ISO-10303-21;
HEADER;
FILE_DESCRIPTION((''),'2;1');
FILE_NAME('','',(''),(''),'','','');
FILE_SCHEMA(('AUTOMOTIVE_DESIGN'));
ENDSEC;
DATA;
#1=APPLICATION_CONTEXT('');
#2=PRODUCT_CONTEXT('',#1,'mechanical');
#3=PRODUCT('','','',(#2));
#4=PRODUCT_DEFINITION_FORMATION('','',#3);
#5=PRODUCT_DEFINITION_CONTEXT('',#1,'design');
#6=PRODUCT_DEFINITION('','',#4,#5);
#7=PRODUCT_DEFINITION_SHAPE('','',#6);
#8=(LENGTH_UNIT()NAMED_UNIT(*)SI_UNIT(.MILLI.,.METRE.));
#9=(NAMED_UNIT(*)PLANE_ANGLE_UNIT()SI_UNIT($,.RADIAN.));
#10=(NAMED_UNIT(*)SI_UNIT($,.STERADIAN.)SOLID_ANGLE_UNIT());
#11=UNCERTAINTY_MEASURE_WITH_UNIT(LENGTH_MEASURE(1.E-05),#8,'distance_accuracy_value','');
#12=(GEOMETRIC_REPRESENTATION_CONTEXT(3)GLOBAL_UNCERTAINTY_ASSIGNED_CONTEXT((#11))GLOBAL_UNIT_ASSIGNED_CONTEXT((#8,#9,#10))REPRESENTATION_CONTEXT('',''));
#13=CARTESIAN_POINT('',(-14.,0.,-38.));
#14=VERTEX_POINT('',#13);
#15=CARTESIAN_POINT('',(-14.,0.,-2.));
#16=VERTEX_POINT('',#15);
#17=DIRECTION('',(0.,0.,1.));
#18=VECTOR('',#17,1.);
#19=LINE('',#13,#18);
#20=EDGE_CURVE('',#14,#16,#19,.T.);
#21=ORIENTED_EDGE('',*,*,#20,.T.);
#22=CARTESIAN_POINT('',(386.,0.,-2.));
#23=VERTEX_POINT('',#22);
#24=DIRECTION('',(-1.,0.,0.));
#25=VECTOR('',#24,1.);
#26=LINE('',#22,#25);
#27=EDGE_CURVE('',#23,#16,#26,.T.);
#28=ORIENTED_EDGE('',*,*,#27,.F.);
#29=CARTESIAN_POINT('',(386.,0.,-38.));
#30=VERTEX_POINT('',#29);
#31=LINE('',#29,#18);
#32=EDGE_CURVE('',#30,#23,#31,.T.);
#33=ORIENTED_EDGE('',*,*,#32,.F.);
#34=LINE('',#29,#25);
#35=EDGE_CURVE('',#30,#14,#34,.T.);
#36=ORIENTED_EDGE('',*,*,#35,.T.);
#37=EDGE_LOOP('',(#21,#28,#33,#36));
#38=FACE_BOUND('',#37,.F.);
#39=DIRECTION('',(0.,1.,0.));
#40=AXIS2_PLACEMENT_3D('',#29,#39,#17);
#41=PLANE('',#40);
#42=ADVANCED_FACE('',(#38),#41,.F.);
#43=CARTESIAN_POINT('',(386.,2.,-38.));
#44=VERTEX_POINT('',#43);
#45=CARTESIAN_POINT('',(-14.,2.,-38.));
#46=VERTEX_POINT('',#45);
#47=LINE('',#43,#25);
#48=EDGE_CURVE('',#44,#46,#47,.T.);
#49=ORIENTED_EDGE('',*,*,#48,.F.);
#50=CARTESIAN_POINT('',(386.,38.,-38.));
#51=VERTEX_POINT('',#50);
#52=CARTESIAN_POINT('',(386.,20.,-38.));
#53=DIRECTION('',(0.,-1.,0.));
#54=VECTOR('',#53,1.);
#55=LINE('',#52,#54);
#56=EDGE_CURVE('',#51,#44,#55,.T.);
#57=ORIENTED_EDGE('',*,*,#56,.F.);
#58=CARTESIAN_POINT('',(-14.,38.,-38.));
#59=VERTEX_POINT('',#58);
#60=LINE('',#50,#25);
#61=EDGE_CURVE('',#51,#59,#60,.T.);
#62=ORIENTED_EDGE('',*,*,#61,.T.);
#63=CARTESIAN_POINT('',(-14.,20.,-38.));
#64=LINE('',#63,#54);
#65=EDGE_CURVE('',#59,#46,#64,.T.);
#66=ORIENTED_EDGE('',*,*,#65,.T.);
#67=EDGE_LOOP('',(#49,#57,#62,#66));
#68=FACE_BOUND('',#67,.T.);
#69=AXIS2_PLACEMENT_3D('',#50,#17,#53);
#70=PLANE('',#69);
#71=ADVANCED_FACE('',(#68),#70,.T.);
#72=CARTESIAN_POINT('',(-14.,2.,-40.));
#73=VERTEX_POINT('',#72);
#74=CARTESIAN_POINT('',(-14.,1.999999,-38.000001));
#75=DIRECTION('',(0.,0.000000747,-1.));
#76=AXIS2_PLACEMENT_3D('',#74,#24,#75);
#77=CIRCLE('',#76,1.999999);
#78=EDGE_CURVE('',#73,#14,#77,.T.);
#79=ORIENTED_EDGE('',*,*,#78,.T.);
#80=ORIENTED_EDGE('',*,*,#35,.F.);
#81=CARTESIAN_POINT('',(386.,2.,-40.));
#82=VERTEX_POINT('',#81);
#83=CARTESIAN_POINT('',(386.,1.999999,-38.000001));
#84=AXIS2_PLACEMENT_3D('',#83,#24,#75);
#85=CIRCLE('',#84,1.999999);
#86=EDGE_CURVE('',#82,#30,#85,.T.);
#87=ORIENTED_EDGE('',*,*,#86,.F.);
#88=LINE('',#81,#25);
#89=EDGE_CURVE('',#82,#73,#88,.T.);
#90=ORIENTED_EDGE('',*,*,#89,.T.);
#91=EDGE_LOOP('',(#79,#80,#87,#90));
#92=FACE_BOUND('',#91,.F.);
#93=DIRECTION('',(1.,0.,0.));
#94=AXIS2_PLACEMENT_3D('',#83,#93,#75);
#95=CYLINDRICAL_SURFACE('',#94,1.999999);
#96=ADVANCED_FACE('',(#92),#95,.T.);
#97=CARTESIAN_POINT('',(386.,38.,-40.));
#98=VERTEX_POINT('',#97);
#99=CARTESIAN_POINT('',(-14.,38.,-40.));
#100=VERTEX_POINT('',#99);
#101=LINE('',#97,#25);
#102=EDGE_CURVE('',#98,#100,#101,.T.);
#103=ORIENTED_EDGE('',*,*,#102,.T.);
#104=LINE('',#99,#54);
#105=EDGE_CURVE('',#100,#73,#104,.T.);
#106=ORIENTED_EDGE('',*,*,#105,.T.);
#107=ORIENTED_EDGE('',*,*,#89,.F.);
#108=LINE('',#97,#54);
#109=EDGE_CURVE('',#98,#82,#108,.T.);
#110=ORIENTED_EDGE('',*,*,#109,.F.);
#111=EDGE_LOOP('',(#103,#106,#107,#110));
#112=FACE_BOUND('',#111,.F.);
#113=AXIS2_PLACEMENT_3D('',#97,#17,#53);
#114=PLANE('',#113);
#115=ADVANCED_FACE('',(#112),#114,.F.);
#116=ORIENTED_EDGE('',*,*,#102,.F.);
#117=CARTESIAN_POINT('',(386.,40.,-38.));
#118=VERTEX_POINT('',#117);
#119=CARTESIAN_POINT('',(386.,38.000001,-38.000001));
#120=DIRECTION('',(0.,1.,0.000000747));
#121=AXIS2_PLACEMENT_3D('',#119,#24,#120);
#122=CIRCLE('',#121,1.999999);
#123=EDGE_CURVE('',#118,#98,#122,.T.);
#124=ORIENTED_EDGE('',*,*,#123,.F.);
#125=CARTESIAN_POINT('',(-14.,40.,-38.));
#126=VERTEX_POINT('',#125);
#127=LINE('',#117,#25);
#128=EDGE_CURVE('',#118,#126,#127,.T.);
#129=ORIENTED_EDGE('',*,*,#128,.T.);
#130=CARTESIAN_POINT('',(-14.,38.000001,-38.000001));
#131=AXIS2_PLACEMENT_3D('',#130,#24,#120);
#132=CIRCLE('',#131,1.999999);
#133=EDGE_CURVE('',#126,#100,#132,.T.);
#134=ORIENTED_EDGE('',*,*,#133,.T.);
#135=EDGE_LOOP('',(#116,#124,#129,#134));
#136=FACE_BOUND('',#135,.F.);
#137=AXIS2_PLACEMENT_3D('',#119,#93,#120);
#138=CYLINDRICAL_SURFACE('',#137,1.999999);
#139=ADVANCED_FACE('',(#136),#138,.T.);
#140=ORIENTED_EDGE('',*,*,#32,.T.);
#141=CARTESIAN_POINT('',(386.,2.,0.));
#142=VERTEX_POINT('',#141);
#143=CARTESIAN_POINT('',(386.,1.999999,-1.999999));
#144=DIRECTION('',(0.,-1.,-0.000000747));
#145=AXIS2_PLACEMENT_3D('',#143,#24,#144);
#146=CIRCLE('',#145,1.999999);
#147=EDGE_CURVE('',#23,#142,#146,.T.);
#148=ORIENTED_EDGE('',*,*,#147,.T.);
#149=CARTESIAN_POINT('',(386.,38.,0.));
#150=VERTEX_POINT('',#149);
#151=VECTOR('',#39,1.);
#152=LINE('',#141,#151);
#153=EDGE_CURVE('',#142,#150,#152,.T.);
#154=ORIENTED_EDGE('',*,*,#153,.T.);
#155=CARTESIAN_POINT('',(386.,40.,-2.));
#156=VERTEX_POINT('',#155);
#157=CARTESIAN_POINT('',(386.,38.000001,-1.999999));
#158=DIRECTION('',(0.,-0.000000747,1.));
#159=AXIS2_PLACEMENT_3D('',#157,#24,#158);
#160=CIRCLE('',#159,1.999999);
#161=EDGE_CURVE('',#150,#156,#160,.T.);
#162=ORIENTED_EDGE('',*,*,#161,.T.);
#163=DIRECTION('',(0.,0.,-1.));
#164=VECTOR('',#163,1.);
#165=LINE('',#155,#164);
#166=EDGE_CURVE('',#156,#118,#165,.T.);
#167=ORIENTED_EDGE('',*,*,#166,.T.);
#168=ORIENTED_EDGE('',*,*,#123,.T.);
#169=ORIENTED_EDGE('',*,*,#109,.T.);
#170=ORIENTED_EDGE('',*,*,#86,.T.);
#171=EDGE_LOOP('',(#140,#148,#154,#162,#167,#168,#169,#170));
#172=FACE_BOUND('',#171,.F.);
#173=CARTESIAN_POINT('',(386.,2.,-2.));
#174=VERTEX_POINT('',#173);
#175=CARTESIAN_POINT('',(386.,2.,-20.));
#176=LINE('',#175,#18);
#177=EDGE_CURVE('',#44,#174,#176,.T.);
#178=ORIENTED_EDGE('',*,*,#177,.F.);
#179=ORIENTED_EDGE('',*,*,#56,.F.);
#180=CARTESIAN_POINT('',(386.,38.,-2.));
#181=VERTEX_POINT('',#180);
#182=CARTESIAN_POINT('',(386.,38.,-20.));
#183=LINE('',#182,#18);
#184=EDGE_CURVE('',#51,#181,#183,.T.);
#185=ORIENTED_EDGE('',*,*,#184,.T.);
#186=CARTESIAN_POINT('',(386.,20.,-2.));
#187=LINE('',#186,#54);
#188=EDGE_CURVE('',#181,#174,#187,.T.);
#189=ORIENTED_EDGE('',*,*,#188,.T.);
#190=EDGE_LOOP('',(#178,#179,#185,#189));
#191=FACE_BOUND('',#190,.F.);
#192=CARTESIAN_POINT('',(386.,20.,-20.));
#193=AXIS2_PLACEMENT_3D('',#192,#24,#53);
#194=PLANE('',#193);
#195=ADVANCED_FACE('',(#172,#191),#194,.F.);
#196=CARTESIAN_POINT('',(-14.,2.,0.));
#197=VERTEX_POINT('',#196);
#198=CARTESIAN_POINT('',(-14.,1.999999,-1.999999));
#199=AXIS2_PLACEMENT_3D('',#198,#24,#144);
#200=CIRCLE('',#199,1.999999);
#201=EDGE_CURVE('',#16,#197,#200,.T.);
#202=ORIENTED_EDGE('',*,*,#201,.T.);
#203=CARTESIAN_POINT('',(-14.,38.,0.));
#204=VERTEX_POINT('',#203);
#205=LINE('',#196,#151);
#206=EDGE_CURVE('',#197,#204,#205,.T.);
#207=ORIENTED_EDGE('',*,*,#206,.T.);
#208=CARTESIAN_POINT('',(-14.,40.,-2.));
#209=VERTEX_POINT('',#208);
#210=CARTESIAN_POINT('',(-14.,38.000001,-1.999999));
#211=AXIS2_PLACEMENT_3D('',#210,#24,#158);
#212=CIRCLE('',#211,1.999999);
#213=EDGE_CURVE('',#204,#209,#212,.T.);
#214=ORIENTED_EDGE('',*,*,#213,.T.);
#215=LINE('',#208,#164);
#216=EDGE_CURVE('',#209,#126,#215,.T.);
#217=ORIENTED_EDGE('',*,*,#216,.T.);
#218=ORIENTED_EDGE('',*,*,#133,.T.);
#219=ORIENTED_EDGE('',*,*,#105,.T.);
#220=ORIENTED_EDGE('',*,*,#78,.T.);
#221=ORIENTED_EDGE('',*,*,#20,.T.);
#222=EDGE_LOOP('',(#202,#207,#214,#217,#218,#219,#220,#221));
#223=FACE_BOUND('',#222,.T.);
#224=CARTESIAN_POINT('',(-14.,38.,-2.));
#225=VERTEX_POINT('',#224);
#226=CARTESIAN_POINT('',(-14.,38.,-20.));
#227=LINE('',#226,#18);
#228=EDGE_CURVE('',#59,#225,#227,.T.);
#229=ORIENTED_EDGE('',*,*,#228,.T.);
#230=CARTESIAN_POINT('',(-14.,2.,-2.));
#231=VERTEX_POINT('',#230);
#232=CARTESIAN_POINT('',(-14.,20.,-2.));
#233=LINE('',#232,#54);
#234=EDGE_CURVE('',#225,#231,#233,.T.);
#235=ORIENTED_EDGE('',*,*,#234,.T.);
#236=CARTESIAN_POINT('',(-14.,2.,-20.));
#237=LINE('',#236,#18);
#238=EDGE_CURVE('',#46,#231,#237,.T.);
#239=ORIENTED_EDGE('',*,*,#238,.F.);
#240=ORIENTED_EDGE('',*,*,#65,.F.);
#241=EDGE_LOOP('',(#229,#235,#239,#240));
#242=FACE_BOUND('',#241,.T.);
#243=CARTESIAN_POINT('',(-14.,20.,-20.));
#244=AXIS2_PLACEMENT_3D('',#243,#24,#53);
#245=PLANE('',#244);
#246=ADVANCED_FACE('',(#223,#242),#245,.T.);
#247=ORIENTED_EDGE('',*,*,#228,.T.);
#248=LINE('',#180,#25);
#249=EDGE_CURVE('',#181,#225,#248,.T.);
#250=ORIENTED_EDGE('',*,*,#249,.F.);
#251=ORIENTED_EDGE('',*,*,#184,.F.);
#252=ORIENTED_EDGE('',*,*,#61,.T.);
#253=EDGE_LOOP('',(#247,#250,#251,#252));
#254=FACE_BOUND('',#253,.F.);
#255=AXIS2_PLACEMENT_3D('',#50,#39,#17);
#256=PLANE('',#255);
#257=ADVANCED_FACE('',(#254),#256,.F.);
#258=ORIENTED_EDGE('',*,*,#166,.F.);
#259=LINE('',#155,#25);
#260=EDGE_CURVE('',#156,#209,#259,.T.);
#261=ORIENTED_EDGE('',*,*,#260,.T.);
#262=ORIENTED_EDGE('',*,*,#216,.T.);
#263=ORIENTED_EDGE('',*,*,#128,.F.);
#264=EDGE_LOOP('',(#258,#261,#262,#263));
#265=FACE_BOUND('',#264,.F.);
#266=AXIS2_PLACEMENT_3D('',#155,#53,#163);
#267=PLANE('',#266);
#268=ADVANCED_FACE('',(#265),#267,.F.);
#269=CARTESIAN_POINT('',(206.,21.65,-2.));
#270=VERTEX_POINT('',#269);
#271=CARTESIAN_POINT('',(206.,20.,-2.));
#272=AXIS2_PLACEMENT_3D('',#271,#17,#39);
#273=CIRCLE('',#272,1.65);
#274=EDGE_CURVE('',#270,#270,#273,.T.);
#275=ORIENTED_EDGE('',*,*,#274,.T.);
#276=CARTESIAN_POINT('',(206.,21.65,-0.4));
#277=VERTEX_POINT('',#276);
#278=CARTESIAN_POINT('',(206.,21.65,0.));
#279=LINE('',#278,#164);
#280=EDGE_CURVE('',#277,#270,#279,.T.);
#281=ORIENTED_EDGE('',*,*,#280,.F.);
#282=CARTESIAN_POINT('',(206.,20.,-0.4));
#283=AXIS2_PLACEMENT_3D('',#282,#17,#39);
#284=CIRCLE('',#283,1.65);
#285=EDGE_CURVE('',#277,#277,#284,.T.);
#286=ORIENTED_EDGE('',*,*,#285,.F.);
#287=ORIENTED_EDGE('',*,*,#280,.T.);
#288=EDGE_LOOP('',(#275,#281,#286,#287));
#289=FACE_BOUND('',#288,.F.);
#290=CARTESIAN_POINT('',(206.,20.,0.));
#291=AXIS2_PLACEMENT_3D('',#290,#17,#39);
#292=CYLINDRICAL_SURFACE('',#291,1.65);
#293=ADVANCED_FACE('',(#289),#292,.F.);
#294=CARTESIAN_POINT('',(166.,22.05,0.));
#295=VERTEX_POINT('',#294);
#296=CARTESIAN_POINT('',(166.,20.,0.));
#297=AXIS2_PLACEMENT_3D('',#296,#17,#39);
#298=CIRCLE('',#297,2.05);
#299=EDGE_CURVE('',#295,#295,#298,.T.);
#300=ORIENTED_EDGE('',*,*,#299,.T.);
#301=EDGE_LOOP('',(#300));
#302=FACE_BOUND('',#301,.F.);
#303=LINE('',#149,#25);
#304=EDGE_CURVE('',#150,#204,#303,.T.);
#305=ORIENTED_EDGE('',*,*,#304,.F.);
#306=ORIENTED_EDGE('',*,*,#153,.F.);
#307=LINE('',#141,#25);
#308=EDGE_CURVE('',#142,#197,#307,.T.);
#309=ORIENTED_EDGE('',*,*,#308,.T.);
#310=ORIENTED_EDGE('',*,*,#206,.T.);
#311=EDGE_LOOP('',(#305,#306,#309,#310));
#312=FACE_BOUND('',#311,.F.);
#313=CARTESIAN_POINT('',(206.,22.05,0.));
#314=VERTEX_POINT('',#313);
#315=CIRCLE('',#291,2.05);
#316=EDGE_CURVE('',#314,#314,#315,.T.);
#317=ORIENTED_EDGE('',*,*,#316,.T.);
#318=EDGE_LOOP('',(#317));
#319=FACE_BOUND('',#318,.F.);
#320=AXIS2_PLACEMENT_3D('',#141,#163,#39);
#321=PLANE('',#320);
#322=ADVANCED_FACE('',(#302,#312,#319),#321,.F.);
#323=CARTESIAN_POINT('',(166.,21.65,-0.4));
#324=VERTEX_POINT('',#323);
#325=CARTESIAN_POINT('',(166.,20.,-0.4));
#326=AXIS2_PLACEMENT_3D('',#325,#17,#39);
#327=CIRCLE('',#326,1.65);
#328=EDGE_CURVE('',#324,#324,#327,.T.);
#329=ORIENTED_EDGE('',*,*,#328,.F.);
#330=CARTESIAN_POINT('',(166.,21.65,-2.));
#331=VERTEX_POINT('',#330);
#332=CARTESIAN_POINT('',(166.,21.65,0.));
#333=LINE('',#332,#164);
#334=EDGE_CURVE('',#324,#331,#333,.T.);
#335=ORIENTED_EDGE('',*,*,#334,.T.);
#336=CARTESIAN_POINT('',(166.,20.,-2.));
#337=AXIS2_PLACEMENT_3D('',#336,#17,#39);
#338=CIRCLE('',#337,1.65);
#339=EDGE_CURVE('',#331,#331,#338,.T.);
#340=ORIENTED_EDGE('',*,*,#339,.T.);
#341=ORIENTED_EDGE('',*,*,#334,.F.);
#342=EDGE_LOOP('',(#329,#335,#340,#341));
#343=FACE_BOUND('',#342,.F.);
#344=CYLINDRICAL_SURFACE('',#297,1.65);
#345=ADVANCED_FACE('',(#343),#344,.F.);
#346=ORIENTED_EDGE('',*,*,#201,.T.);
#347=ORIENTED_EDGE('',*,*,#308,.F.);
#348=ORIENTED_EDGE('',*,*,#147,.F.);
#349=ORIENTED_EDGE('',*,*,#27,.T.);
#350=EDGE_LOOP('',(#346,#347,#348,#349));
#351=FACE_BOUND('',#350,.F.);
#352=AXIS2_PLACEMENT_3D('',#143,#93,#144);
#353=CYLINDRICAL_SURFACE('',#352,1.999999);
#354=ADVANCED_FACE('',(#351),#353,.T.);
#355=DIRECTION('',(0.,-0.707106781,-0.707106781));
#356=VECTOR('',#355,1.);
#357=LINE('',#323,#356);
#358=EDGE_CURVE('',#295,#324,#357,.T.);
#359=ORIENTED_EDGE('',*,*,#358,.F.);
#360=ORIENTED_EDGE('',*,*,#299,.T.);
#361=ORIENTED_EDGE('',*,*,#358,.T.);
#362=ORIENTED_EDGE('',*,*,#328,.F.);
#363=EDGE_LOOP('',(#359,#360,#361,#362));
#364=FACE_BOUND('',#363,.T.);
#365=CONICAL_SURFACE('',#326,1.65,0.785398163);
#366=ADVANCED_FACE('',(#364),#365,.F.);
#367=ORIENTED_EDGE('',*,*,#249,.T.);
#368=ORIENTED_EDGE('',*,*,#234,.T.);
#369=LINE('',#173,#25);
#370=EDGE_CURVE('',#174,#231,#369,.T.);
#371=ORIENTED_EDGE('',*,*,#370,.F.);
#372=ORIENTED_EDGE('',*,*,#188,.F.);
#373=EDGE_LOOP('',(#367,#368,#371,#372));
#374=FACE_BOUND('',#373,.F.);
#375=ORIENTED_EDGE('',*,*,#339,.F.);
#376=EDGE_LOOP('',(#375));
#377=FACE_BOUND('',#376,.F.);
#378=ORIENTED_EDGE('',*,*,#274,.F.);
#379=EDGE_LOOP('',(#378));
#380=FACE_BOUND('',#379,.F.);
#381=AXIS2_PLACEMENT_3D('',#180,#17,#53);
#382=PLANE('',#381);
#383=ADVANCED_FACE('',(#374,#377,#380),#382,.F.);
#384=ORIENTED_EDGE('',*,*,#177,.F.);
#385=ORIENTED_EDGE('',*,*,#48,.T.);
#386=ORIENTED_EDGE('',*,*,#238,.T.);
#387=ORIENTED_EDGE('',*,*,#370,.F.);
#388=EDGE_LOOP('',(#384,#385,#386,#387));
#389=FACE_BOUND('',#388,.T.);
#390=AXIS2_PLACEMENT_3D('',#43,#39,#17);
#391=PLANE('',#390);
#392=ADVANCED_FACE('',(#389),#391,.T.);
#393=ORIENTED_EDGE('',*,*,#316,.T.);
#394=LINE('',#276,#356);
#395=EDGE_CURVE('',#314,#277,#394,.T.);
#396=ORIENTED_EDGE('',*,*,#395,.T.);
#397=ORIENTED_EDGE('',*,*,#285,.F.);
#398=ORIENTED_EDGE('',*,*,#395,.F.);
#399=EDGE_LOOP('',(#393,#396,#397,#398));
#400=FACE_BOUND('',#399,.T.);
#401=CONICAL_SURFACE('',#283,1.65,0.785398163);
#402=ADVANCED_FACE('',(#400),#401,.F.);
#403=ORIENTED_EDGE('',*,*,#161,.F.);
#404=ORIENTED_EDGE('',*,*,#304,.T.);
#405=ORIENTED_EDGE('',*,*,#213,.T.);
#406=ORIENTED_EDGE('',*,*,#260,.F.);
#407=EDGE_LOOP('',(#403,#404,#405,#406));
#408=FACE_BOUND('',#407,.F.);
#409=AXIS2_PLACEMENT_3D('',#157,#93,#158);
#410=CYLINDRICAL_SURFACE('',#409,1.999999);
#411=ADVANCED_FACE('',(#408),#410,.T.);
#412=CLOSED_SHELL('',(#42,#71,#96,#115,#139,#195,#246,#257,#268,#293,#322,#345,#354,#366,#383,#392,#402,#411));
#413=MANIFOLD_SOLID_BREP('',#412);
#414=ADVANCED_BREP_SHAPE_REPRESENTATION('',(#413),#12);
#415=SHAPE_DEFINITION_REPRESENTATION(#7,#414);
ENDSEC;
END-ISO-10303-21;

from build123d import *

# Parameters (mm, degrees)
SKETCH004_W             = 36
SKETCH004_H             = 36
PAD004_DEPTH            = 400
SKETCH028_R             = 1.65
HOLE_DEPTH              = 25
HOLE_TIPS_R             = 1.65
CHAMFER_SIZE            = 0.4
BODY004_PLACEMENT_ANGLE = 270


with BuildPart() as part:
    # Sketch004 → Pad004 (new body)
    with BuildSketch(Plane.XZ):
        with BuildLine():
            Line((0, -2), (0, -38))
            ThreePointArc((0, -38), (0.585786, -39.414214), (2, -40))
            Line((2, -40), (38, -40))
            ThreePointArc((38, -40), (39.414214, -39.414214), (40, -38))
            Line((40, -38), (40, -2))
            ThreePointArc((40, -2), (39.414214, -0.585786), (38, 0))
            Line((38, 0), (2, 0))
            ThreePointArc((2, 0), (0.585786, -0.585786), (0, -2))
        make_face()
        with Locations((20, -20)):
            Rectangle(SKETCH004_W, SKETCH004_H, mode=Mode.SUBTRACT)
    extrude(amount=PAD004_DEPTH)

    # Sketch028 (on Face7 of Pad004) → Hole (cut)
    with BuildSketch(Plane(origin=(0, 0, 0), x_dir=(-1, 0, 0), z_dir=(0, 0, 1))):
        with Locations((-20, 180)):
            Circle(SKETCH028_R)
        with Locations((-20, 220)):
            Circle(SKETCH028_R)
    extrude(amount=-HOLE_DEPTH, mode=Mode.SUBTRACT)

    # Hole tips → Hole tip 1 section 0
    with BuildSketch(Plane(origin=(0, 0, -25), x_dir=(-1, 0, 0), z_dir=(0, 0, 1)), mode=Mode.PRIVATE) as hole_tip_1_s0:
        with Locations((-20, 180)):
            Circle(HOLE_TIPS_R)
    loft([hole_tip_1_s0.sketch, Vertex(20, -180, -25.99142)], mode=Mode.SUBTRACT)

    # Hole tips → Hole tip 2 section 0
    with BuildSketch(Plane(origin=(0, 0, -25), x_dir=(-1, 0, 0), z_dir=(0, 0, 1)), mode=Mode.PRIVATE) as hole_tip_2_s0:
        with Locations((-20, 220)):
            Circle(HOLE_TIPS_R)
    loft([hole_tip_2_s0.sketch, Vertex(20, -220, -25.99142)], mode=Mode.SUBTRACT)

    # Chamfer
    chamfer_edges = [part.edges().sort_by_distance(p)[0] for p in [
        (18.35, -180, 0),
        (18.35, -220, 0),
    ]]
    chamfer(chamfer_edges, length=CHAMFER_SIZE)


with BuildPart() as part_1:
    # Body004 placement: moved
    add(part.part.moved(Location((386, 40, 0))).rotate(Axis((386, 40, 0), (0, 0, 1)), BODY004_PLACEMENT_ANGLE))


solid = part_1.part
